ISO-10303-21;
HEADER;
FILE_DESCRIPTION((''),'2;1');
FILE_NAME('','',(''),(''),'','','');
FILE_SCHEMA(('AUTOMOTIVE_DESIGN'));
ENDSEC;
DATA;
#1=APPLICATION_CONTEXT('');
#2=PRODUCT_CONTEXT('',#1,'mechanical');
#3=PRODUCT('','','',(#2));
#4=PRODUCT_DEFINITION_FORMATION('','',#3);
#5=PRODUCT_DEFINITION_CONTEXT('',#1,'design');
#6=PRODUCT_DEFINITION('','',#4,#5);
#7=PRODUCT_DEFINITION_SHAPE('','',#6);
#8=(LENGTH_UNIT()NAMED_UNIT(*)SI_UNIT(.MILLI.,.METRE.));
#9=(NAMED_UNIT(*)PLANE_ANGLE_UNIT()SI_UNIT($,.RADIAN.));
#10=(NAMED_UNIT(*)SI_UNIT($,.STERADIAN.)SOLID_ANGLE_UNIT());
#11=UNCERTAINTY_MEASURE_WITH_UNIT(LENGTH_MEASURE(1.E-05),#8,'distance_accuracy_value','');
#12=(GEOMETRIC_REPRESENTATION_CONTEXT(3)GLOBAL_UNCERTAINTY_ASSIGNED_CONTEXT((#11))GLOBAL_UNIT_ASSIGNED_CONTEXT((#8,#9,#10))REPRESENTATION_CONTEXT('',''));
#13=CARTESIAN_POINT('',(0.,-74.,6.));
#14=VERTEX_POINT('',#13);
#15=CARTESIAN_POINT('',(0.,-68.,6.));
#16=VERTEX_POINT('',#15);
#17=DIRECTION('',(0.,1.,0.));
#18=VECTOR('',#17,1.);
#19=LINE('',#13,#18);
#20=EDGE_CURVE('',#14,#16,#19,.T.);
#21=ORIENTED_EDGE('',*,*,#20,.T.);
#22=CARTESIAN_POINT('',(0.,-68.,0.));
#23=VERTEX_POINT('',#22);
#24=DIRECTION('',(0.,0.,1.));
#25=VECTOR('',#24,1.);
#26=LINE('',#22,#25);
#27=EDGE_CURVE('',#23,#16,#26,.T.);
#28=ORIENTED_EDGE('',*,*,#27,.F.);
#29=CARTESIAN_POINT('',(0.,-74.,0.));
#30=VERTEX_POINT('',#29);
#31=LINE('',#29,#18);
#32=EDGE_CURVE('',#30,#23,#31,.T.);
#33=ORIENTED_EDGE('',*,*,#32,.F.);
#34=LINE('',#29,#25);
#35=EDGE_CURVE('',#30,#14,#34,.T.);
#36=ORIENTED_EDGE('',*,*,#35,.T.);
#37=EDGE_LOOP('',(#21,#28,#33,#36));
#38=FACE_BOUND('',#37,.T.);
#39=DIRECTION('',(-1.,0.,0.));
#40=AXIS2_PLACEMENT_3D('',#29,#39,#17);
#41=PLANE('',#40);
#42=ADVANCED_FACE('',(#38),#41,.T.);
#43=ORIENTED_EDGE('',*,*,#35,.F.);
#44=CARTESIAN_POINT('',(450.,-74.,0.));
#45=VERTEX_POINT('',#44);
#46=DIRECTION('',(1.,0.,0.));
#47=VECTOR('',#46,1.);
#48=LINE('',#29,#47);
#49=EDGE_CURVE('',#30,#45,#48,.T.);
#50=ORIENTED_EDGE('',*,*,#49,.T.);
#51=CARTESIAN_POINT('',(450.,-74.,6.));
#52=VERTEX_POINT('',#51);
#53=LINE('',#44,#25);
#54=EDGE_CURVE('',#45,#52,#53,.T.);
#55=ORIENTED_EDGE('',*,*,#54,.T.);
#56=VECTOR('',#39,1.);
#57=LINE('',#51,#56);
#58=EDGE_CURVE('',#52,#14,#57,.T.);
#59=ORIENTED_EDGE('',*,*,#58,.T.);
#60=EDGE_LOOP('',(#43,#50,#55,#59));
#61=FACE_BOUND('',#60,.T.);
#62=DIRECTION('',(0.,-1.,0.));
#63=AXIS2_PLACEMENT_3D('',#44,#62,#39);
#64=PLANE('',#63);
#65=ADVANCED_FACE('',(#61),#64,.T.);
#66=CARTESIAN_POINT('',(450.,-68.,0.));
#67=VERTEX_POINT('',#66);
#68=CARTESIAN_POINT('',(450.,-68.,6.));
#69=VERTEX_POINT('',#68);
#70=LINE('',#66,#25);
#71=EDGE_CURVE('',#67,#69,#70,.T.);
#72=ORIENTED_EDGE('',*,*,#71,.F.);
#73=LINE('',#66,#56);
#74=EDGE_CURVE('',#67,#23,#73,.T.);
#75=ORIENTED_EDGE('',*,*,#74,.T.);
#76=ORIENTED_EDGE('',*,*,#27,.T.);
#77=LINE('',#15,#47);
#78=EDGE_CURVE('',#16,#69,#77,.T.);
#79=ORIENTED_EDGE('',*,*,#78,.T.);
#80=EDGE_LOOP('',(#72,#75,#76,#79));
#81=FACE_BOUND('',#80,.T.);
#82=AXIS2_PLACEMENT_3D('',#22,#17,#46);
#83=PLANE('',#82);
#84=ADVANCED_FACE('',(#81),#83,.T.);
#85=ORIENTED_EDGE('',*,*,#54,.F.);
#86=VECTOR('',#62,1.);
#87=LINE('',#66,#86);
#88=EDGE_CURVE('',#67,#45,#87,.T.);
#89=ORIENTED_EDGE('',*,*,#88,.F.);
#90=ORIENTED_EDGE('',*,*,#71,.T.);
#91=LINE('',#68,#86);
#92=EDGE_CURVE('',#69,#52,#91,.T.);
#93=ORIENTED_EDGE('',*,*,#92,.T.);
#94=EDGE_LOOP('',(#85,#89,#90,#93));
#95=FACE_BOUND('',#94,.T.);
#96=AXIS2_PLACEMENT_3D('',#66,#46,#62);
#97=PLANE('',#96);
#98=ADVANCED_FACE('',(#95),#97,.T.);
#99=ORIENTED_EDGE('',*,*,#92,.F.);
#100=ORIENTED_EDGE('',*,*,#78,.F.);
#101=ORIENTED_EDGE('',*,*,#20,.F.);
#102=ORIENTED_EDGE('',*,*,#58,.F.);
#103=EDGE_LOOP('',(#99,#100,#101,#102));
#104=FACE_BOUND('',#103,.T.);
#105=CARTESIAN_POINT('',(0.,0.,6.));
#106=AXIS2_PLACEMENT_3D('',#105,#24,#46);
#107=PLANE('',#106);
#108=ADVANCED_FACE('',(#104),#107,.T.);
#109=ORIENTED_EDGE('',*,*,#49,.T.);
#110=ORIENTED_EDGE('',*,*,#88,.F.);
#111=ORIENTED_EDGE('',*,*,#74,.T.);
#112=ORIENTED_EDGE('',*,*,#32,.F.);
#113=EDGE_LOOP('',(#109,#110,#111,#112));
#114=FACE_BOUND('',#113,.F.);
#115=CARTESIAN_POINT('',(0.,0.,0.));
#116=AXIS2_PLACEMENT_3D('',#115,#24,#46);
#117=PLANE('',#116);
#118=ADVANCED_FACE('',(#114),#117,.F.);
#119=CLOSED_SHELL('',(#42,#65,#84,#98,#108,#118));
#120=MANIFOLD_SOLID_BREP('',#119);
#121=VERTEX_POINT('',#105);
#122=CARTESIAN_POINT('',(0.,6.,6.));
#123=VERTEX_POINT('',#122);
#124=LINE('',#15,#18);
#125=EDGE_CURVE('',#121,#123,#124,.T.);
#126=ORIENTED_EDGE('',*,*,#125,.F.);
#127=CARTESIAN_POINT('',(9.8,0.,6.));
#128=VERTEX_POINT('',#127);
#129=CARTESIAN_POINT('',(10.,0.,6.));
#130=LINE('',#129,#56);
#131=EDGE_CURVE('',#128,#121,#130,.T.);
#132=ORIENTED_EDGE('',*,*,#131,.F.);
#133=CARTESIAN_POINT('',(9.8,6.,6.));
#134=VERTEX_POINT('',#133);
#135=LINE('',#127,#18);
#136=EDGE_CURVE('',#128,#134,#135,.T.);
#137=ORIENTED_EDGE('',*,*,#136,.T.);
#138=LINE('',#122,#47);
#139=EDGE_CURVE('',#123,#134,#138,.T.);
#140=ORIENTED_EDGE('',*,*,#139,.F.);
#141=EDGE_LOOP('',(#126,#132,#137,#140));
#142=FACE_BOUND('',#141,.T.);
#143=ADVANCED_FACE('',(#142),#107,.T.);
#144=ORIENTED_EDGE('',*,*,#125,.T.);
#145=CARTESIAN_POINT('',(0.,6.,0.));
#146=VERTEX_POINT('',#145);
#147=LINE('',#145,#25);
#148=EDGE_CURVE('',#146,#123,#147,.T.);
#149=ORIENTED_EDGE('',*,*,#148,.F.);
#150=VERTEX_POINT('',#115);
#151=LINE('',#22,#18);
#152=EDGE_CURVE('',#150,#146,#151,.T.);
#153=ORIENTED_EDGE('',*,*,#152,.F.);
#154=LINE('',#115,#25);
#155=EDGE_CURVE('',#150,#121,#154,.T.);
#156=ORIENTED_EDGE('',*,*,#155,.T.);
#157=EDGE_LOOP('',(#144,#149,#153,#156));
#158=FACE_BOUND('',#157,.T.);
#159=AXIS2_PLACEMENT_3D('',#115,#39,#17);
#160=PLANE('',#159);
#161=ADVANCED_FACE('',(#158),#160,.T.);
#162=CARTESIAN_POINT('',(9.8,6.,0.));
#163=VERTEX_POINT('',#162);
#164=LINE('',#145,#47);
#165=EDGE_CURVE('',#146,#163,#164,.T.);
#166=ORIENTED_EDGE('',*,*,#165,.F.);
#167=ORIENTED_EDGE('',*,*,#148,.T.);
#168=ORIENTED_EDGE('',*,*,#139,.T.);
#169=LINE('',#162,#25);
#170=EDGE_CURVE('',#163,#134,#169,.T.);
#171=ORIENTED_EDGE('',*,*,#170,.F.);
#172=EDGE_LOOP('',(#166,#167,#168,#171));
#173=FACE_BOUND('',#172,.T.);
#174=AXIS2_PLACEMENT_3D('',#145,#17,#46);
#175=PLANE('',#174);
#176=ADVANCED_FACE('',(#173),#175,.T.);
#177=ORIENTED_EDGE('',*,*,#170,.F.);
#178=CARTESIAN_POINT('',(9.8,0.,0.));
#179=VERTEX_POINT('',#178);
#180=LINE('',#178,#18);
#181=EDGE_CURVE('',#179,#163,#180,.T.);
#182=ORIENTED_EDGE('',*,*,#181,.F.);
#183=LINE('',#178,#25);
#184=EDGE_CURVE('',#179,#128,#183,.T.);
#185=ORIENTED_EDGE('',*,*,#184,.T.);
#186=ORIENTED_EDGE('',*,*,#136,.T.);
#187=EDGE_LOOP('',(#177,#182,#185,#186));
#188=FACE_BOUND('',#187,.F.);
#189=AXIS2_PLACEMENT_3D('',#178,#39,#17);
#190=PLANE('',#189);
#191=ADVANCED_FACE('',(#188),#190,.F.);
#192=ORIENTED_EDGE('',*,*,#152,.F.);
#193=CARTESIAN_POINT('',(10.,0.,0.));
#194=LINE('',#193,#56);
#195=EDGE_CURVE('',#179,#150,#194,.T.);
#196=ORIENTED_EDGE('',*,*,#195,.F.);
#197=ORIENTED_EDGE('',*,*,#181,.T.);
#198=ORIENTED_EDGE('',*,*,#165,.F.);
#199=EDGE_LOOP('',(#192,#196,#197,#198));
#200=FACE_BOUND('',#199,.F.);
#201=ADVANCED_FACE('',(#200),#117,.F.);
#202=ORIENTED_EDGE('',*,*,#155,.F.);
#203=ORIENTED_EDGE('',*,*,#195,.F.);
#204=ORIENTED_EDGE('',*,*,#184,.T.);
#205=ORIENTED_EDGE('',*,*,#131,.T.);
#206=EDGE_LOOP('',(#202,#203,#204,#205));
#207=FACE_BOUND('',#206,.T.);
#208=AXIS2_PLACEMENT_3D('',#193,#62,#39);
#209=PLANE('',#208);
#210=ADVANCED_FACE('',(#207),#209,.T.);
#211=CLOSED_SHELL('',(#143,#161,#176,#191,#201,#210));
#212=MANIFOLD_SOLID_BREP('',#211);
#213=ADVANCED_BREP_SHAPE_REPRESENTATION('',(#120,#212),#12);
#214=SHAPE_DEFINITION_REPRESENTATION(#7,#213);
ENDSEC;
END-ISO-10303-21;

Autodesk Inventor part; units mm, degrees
ref_plane "YZ Plane" through (0, 0, 0) normal (1, 0, 0) x (0, 1, 0)
ref_plane "XZ Plane" through (0, 0, 0) normal (0, 1, 0) x (-1, 0, 0)
ref_plane "XY Plane" through (0, 0, 0) normal (0, 0, 1) x (1, 0, 0)
ref_plane "Arbeitsebene1" through (0, 0, 0) normal (0, 0, 1) x (1, 0, 0)
sketch "Skizze1" plane through (0, 0, 0) normal (0, 0, 1) x (1, 0, 0)
  line L0 (0, 6) -> (10, 6) projected
  line L1 (10, 0) -> (0, 0) projected
  line L2 (10, 0) -> (10, 6) projected
  line L3 (462.7944, 9) -> (462.7944, 3) projected
  line L4 (0, -68) -> (10, -68) projected
  line L5 (0, 6) -> (450, 6)
  line L6 (450, 6) -> (450, -68)
  line L7 (450, -68) -> (0, -68)
  line L8 (0, -68) -> (0, 6)
  line L9 (0, -68) -> (450, -68)
  line L10 (450, -68) -> (450, -74)
  line L11 (450, -74) -> (0, -74)
  line L12 (0, -74) -> (0, -68)
  line L13 (0, 0) -> (0, 6) projected
  line L14 (129.9001, -74) -> (2.8877, -74) projected
  point P0 (450, 0)
  point P1 (442.7944, 5)
  point P2 (450, -68)
  dimension "d0" = 6
  dimension "d1" = 450
extrude "Extrusion1" add sketch "Skizze1" along normal blind 6 contours L0 L2 L1 L8 | L4 L7 L10 L11 L12
sketch "Skizze2" plane through (0, 0, 0) normal (0, 0, -1) x (1, 0, 0)
  line L0 (20, 0) -> (20, -5) projected
  line L1 (10, -5) -> (10, 0) projected
  line L2 (0, -6) -> (0, 74) projected
  line L3 (9.8, -6) -> (20.2, -6)
  line L4 (20.2, -6) -> (20.2, 0)
  line L5 (20.2, 0) -> (9.8, 0)
  line L6 (9.8, 0) -> (9.8, -6)
  point P0 (0, 0)
  dimension "d6" = 0
  dimension "d17" = 0.2
  dimension "d18" = 0.2
  dimension "d23" = 6
extrude "Extrusion2" cut sketch "Skizze2" against normal blind 6
sketch "Skizze3" plane through (20.2, 6, 0) normal (0, 1, 0) x (1, 0, 0)
  line L0 (-10.2, 0) -> (-20.2, 0) projected
  line L1 (-10.2, -6) -> (-20.2, -6) projected
  line L2 (0, 0) -> (0, -6) projected
  circle A0 centre (-5.2, -3) radius 1.5
  line L3 (-10.4, -6) -> (-10.4, 0) projected
  point P0 (4.8, 3)
  point P1 (429.8, 0)
  point P2 (429.8, -6)
  dimension "d16" = 3
  dimension "d19" = 5.2
hole "Bohrung1" [suppressed]
pattern_linear "Rechteckige Anordnung1" [suppressed]
ref_plane "Arbeitsebene2" through (300.2, -34, 0) normal (0, 1, 0) x (1, 0, 0)
mirror "Spiegeln1" [suppressed]
properties part number "00_Baseplate_Simmo_side1"
